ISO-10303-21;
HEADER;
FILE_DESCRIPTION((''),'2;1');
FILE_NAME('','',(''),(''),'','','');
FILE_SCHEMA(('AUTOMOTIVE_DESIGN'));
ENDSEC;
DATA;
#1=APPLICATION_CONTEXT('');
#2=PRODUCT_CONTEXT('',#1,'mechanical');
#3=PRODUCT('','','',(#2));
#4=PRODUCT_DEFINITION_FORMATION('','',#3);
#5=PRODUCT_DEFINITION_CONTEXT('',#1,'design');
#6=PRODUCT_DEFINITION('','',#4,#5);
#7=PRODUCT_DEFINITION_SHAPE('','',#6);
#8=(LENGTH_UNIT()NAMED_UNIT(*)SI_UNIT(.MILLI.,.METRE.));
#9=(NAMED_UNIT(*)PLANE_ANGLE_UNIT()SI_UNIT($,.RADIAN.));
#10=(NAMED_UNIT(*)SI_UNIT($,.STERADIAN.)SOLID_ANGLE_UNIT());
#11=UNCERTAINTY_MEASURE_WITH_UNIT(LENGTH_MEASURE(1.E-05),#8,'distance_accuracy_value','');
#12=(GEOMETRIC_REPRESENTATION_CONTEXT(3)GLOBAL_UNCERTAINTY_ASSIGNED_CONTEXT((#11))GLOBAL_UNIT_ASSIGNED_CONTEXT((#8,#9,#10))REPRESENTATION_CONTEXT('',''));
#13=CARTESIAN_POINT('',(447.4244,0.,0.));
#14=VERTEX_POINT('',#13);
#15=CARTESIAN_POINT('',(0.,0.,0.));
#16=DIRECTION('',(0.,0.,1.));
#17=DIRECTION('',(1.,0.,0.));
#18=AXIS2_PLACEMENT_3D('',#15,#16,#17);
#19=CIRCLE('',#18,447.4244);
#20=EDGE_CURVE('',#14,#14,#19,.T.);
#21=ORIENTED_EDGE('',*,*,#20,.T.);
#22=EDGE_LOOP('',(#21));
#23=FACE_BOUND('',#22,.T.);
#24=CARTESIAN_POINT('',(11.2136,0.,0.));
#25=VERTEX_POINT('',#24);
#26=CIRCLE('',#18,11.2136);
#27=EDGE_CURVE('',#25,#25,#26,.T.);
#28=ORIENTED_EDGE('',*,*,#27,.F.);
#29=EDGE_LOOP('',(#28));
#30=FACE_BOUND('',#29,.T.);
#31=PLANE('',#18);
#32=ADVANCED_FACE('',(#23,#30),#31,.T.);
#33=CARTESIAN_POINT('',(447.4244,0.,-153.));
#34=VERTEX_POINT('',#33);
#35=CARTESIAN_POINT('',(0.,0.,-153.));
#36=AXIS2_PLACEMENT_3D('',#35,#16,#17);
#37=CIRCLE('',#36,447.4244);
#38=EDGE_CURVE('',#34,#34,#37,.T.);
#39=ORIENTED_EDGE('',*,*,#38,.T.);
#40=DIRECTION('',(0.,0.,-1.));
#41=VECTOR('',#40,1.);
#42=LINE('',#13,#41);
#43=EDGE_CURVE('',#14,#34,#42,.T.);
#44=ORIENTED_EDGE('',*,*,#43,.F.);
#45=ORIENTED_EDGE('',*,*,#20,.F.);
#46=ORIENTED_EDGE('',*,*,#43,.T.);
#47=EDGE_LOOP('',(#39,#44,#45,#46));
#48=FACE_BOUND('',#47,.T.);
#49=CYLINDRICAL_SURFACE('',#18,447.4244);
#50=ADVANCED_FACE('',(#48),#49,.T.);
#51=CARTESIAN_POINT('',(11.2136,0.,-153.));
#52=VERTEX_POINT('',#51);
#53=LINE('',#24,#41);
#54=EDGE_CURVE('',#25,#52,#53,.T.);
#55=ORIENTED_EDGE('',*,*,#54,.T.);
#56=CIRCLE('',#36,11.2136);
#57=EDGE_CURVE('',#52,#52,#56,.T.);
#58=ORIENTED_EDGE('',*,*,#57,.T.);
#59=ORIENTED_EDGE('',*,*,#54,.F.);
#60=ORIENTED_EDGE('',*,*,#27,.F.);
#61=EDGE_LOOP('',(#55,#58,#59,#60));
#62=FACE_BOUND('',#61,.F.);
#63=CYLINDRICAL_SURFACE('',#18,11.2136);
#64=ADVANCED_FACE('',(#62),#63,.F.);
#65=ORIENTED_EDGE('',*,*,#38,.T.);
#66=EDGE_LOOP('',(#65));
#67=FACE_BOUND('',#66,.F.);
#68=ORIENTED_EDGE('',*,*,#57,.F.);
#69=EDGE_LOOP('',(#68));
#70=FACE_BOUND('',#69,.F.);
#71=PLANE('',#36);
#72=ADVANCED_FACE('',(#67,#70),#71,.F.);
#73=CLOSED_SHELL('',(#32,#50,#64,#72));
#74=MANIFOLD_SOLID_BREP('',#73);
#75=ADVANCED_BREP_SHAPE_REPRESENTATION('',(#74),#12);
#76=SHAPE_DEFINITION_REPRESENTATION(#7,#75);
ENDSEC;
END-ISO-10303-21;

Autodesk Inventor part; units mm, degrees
ref_plane "YZ Plane" through (0, 0, 0) normal (1, 0, 0) x (0, 1, 0)
ref_plane "XZ Plane" through (0, 0, 0) normal (0, 1, 0) x (-1, 0, 0)
ref_plane "XY Plane" through (0, 0, 0) normal (0, 0, 1) x (1, 0, 0)
ref_plane "РабПлоскость1" through (0, 0, 0) normal (0, 0, 1) x (1, 0, 0)
sketch "Эскиз1" plane through (0, 0, 0) normal (0, 0, 1) x (1, 0, 0)
  circle A0 centre (0, 0) radius 11.2136 projected
  circle A1 centre (0, 0) radius 447.4244
  point P0 (0, 0)
extrude "Выдавливание1" add sketch "Эскиз1" against normal blind 153
properties part number "РабЗона3" material "Стекло"
